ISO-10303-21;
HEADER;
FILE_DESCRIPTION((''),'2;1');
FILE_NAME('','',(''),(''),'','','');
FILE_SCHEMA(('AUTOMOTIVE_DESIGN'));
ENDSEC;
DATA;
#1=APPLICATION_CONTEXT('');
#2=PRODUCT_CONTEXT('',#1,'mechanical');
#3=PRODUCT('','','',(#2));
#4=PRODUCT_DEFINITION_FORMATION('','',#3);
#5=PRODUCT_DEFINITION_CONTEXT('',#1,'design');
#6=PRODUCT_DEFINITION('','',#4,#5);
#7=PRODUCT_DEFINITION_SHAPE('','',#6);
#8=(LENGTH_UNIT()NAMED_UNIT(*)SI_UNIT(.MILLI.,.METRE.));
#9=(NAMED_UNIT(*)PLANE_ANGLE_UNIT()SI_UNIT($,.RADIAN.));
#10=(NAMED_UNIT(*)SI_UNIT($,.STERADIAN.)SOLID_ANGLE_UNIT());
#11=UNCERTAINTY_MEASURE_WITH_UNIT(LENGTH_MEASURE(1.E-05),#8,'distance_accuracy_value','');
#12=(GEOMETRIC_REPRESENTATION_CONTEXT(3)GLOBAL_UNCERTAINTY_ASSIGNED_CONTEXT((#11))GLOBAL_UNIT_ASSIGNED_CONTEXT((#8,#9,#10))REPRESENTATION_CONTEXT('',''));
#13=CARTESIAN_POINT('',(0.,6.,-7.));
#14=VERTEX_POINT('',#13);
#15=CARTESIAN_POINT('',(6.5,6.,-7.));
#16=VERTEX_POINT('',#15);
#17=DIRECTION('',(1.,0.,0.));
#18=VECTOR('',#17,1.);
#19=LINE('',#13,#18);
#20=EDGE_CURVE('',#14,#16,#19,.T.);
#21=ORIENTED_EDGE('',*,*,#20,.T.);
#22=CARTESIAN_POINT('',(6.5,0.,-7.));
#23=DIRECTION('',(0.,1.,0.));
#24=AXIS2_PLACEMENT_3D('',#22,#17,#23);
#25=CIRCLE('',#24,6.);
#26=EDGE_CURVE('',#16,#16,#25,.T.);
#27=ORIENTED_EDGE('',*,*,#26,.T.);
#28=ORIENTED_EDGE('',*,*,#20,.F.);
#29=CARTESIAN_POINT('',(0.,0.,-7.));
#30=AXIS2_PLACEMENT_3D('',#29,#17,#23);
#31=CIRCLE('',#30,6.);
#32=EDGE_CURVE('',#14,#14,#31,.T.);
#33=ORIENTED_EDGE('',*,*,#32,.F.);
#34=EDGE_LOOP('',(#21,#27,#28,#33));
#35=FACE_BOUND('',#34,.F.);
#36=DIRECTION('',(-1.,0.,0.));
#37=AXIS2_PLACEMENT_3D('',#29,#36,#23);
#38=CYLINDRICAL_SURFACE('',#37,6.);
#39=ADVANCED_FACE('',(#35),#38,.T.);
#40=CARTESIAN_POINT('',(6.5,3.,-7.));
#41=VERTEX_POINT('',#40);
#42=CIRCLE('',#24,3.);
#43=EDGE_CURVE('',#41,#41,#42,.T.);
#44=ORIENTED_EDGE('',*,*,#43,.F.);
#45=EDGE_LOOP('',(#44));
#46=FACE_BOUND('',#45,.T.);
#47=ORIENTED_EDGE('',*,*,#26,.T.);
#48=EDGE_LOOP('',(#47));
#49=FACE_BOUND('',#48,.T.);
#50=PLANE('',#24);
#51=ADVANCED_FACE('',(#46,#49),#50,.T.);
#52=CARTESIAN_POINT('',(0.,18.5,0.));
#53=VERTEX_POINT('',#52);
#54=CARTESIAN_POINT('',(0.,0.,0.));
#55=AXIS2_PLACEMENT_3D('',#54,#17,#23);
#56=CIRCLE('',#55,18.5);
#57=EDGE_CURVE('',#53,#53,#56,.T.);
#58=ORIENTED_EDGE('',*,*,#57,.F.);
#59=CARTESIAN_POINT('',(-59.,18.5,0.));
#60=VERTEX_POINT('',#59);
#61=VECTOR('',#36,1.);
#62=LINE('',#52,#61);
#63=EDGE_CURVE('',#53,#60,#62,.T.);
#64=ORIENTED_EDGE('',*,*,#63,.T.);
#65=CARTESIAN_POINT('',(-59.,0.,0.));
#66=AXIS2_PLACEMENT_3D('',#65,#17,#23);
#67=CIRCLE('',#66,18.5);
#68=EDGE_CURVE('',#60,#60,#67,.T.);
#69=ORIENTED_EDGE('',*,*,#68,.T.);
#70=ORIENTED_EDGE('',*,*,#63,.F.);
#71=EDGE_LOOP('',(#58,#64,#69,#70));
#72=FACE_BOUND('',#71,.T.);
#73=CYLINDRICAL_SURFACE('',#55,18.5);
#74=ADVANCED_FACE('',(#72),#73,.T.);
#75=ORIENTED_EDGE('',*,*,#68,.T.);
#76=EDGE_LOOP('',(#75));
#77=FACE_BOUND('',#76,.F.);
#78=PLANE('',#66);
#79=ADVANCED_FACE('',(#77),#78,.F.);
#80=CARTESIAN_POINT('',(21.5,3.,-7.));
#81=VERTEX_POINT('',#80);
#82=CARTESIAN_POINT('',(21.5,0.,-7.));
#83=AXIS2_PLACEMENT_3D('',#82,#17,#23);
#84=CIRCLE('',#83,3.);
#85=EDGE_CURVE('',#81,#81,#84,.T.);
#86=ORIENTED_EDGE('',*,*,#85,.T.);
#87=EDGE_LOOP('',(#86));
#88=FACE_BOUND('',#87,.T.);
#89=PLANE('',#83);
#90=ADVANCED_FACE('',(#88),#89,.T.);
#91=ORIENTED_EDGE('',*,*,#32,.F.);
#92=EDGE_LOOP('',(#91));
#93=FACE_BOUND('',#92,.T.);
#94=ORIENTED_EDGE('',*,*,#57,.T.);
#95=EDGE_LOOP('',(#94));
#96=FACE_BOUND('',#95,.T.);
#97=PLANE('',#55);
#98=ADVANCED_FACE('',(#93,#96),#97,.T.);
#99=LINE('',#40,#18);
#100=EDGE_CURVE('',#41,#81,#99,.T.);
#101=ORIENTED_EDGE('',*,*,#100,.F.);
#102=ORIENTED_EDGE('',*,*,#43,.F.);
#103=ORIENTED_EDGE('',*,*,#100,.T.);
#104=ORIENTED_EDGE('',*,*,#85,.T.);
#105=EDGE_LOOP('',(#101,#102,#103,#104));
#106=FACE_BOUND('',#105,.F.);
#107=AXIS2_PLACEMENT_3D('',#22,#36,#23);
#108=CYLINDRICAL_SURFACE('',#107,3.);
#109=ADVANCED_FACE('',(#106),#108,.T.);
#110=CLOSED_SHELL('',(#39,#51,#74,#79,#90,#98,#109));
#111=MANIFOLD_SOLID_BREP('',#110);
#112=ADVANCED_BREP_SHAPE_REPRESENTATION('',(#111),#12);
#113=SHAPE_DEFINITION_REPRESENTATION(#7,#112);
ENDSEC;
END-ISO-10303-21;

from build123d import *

# Parameters (mm, degrees)
F0_R     = 18.5
F1_DEPTH = 59
F2_R     = 6
F3_DEPTH = 6.5
F4_R     = 3
F5_DEPTH = 15


with BuildPart() as f1:
    # F0 (on Right) → F1 (new body)
    with BuildSketch(Plane.YZ):
        Circle(F0_R)
    extrude(amount=-F1_DEPTH)

    # F2 (on face) → F3 (join)
    with BuildSketch(Plane.YZ):
        with Locations((0, -7)):
            Circle(F2_R)
    extrude(amount=F3_DEPTH)

    # F4 (on face) → F5 (join)
    with BuildSketch(Plane.YZ.offset(6.5)):
        with Locations((0, -7)):
            Circle(F4_R)
    extrude(amount=F5_DEPTH)


solid = f1.part
